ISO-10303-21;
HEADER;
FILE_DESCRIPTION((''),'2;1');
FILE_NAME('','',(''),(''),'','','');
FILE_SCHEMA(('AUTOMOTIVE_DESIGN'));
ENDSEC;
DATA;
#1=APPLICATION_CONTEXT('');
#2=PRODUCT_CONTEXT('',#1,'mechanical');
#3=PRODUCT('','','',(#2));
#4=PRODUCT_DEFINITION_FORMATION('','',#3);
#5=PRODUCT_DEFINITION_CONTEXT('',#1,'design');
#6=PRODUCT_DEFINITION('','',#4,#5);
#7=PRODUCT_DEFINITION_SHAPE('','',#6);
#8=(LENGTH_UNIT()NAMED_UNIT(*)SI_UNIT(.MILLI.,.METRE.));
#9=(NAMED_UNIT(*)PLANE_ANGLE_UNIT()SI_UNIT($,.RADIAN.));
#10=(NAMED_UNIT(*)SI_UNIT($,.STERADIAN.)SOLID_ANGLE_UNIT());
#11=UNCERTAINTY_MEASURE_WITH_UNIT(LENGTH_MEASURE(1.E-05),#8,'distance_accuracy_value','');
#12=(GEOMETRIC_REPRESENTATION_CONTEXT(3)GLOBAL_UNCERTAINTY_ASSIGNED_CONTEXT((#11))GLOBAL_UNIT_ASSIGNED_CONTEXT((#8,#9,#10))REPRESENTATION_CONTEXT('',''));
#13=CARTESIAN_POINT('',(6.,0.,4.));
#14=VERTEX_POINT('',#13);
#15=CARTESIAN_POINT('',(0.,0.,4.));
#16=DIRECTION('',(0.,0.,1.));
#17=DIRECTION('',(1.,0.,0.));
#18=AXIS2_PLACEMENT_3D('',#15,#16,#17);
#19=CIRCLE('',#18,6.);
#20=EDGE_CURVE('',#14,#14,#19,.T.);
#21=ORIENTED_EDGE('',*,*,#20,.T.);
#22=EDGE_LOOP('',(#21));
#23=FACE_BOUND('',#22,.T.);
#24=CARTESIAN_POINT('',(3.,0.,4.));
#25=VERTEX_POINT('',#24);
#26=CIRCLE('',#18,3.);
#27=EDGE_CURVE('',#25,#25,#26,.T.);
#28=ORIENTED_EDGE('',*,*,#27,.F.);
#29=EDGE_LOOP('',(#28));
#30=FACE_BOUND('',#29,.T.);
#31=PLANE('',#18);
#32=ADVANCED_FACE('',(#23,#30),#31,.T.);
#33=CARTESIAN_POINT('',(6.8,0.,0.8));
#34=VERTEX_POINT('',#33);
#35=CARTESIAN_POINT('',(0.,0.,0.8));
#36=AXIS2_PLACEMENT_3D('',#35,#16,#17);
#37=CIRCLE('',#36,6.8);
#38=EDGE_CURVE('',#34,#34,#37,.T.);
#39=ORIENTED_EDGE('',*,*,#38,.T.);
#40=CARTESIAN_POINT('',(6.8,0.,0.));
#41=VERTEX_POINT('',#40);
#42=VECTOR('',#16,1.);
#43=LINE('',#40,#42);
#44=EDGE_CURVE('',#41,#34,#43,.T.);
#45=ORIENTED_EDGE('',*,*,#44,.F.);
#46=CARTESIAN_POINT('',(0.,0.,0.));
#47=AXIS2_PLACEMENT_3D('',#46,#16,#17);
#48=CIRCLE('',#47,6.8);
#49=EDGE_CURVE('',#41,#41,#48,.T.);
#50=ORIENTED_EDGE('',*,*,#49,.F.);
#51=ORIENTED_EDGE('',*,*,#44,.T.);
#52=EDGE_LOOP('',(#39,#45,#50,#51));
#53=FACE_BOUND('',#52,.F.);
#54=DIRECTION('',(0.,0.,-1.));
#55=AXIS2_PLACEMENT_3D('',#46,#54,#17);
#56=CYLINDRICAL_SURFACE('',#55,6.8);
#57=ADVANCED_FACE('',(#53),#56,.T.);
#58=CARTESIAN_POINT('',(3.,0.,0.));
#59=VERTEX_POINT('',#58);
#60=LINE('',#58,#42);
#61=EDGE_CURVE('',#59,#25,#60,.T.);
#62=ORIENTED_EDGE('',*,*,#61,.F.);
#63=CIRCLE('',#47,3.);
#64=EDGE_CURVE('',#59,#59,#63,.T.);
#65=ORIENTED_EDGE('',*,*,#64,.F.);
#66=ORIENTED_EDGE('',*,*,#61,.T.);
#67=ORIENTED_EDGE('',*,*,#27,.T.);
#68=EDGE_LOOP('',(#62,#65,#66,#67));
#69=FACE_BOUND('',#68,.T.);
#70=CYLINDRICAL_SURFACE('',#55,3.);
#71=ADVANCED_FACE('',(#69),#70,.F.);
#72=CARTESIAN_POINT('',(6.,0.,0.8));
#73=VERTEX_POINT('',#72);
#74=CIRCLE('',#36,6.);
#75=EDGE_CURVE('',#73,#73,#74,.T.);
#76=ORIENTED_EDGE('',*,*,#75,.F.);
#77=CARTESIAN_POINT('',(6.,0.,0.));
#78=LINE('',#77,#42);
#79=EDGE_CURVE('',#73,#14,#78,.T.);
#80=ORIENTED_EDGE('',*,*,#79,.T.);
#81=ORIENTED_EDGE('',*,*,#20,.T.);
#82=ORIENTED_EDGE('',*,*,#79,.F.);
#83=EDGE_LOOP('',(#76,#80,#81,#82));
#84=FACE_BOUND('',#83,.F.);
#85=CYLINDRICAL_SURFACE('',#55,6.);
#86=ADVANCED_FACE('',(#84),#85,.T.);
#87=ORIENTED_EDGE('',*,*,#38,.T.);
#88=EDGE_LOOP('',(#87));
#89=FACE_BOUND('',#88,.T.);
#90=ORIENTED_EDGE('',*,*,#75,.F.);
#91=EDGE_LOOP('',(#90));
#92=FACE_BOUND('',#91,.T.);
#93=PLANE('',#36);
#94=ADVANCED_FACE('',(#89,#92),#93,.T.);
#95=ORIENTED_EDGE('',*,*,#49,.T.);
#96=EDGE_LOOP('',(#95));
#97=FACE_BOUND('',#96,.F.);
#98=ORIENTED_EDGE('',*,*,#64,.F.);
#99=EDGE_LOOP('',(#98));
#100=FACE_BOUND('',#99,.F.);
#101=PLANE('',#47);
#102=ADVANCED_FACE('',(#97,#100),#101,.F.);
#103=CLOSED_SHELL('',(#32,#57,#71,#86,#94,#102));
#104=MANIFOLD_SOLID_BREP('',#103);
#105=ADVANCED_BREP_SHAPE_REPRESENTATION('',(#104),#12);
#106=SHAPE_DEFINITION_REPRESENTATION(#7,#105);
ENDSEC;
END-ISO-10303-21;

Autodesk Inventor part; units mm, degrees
ref_plane "YZ Plane" through (0, 0, 0) normal (1, 0, 0) x (0, 1, 0)
ref_plane "XZ Plane" through (0, 0, 0) normal (0, 1, 0) x (-1, 0, 0)
ref_plane "XY Plane" through (0, 0, 0) normal (0, 0, 1) x (1, 0, 0)
sketch "スケッチ1" plane through (0, 0, 0) normal (0, 0, 1) x (1, 0, 0)
  circle A0 centre (0, 0) radius 3
  circle A1 centre (0, 0) radius 6
  circle A2 centre (0, 0) radius 6.8
  dimension "d0" = 6
  dimension "d1" = 12
  dimension "d13" = 0.8
extrude "押し出し1" add sketch "スケッチ1" along normal blind 4 contours A1
extrude "押し出し5" add sketch "スケッチ1" along normal blind 0.8 contours A2
properties part number "ベアリングHd6-D12-B4" material "鋼、炭素鋼"
